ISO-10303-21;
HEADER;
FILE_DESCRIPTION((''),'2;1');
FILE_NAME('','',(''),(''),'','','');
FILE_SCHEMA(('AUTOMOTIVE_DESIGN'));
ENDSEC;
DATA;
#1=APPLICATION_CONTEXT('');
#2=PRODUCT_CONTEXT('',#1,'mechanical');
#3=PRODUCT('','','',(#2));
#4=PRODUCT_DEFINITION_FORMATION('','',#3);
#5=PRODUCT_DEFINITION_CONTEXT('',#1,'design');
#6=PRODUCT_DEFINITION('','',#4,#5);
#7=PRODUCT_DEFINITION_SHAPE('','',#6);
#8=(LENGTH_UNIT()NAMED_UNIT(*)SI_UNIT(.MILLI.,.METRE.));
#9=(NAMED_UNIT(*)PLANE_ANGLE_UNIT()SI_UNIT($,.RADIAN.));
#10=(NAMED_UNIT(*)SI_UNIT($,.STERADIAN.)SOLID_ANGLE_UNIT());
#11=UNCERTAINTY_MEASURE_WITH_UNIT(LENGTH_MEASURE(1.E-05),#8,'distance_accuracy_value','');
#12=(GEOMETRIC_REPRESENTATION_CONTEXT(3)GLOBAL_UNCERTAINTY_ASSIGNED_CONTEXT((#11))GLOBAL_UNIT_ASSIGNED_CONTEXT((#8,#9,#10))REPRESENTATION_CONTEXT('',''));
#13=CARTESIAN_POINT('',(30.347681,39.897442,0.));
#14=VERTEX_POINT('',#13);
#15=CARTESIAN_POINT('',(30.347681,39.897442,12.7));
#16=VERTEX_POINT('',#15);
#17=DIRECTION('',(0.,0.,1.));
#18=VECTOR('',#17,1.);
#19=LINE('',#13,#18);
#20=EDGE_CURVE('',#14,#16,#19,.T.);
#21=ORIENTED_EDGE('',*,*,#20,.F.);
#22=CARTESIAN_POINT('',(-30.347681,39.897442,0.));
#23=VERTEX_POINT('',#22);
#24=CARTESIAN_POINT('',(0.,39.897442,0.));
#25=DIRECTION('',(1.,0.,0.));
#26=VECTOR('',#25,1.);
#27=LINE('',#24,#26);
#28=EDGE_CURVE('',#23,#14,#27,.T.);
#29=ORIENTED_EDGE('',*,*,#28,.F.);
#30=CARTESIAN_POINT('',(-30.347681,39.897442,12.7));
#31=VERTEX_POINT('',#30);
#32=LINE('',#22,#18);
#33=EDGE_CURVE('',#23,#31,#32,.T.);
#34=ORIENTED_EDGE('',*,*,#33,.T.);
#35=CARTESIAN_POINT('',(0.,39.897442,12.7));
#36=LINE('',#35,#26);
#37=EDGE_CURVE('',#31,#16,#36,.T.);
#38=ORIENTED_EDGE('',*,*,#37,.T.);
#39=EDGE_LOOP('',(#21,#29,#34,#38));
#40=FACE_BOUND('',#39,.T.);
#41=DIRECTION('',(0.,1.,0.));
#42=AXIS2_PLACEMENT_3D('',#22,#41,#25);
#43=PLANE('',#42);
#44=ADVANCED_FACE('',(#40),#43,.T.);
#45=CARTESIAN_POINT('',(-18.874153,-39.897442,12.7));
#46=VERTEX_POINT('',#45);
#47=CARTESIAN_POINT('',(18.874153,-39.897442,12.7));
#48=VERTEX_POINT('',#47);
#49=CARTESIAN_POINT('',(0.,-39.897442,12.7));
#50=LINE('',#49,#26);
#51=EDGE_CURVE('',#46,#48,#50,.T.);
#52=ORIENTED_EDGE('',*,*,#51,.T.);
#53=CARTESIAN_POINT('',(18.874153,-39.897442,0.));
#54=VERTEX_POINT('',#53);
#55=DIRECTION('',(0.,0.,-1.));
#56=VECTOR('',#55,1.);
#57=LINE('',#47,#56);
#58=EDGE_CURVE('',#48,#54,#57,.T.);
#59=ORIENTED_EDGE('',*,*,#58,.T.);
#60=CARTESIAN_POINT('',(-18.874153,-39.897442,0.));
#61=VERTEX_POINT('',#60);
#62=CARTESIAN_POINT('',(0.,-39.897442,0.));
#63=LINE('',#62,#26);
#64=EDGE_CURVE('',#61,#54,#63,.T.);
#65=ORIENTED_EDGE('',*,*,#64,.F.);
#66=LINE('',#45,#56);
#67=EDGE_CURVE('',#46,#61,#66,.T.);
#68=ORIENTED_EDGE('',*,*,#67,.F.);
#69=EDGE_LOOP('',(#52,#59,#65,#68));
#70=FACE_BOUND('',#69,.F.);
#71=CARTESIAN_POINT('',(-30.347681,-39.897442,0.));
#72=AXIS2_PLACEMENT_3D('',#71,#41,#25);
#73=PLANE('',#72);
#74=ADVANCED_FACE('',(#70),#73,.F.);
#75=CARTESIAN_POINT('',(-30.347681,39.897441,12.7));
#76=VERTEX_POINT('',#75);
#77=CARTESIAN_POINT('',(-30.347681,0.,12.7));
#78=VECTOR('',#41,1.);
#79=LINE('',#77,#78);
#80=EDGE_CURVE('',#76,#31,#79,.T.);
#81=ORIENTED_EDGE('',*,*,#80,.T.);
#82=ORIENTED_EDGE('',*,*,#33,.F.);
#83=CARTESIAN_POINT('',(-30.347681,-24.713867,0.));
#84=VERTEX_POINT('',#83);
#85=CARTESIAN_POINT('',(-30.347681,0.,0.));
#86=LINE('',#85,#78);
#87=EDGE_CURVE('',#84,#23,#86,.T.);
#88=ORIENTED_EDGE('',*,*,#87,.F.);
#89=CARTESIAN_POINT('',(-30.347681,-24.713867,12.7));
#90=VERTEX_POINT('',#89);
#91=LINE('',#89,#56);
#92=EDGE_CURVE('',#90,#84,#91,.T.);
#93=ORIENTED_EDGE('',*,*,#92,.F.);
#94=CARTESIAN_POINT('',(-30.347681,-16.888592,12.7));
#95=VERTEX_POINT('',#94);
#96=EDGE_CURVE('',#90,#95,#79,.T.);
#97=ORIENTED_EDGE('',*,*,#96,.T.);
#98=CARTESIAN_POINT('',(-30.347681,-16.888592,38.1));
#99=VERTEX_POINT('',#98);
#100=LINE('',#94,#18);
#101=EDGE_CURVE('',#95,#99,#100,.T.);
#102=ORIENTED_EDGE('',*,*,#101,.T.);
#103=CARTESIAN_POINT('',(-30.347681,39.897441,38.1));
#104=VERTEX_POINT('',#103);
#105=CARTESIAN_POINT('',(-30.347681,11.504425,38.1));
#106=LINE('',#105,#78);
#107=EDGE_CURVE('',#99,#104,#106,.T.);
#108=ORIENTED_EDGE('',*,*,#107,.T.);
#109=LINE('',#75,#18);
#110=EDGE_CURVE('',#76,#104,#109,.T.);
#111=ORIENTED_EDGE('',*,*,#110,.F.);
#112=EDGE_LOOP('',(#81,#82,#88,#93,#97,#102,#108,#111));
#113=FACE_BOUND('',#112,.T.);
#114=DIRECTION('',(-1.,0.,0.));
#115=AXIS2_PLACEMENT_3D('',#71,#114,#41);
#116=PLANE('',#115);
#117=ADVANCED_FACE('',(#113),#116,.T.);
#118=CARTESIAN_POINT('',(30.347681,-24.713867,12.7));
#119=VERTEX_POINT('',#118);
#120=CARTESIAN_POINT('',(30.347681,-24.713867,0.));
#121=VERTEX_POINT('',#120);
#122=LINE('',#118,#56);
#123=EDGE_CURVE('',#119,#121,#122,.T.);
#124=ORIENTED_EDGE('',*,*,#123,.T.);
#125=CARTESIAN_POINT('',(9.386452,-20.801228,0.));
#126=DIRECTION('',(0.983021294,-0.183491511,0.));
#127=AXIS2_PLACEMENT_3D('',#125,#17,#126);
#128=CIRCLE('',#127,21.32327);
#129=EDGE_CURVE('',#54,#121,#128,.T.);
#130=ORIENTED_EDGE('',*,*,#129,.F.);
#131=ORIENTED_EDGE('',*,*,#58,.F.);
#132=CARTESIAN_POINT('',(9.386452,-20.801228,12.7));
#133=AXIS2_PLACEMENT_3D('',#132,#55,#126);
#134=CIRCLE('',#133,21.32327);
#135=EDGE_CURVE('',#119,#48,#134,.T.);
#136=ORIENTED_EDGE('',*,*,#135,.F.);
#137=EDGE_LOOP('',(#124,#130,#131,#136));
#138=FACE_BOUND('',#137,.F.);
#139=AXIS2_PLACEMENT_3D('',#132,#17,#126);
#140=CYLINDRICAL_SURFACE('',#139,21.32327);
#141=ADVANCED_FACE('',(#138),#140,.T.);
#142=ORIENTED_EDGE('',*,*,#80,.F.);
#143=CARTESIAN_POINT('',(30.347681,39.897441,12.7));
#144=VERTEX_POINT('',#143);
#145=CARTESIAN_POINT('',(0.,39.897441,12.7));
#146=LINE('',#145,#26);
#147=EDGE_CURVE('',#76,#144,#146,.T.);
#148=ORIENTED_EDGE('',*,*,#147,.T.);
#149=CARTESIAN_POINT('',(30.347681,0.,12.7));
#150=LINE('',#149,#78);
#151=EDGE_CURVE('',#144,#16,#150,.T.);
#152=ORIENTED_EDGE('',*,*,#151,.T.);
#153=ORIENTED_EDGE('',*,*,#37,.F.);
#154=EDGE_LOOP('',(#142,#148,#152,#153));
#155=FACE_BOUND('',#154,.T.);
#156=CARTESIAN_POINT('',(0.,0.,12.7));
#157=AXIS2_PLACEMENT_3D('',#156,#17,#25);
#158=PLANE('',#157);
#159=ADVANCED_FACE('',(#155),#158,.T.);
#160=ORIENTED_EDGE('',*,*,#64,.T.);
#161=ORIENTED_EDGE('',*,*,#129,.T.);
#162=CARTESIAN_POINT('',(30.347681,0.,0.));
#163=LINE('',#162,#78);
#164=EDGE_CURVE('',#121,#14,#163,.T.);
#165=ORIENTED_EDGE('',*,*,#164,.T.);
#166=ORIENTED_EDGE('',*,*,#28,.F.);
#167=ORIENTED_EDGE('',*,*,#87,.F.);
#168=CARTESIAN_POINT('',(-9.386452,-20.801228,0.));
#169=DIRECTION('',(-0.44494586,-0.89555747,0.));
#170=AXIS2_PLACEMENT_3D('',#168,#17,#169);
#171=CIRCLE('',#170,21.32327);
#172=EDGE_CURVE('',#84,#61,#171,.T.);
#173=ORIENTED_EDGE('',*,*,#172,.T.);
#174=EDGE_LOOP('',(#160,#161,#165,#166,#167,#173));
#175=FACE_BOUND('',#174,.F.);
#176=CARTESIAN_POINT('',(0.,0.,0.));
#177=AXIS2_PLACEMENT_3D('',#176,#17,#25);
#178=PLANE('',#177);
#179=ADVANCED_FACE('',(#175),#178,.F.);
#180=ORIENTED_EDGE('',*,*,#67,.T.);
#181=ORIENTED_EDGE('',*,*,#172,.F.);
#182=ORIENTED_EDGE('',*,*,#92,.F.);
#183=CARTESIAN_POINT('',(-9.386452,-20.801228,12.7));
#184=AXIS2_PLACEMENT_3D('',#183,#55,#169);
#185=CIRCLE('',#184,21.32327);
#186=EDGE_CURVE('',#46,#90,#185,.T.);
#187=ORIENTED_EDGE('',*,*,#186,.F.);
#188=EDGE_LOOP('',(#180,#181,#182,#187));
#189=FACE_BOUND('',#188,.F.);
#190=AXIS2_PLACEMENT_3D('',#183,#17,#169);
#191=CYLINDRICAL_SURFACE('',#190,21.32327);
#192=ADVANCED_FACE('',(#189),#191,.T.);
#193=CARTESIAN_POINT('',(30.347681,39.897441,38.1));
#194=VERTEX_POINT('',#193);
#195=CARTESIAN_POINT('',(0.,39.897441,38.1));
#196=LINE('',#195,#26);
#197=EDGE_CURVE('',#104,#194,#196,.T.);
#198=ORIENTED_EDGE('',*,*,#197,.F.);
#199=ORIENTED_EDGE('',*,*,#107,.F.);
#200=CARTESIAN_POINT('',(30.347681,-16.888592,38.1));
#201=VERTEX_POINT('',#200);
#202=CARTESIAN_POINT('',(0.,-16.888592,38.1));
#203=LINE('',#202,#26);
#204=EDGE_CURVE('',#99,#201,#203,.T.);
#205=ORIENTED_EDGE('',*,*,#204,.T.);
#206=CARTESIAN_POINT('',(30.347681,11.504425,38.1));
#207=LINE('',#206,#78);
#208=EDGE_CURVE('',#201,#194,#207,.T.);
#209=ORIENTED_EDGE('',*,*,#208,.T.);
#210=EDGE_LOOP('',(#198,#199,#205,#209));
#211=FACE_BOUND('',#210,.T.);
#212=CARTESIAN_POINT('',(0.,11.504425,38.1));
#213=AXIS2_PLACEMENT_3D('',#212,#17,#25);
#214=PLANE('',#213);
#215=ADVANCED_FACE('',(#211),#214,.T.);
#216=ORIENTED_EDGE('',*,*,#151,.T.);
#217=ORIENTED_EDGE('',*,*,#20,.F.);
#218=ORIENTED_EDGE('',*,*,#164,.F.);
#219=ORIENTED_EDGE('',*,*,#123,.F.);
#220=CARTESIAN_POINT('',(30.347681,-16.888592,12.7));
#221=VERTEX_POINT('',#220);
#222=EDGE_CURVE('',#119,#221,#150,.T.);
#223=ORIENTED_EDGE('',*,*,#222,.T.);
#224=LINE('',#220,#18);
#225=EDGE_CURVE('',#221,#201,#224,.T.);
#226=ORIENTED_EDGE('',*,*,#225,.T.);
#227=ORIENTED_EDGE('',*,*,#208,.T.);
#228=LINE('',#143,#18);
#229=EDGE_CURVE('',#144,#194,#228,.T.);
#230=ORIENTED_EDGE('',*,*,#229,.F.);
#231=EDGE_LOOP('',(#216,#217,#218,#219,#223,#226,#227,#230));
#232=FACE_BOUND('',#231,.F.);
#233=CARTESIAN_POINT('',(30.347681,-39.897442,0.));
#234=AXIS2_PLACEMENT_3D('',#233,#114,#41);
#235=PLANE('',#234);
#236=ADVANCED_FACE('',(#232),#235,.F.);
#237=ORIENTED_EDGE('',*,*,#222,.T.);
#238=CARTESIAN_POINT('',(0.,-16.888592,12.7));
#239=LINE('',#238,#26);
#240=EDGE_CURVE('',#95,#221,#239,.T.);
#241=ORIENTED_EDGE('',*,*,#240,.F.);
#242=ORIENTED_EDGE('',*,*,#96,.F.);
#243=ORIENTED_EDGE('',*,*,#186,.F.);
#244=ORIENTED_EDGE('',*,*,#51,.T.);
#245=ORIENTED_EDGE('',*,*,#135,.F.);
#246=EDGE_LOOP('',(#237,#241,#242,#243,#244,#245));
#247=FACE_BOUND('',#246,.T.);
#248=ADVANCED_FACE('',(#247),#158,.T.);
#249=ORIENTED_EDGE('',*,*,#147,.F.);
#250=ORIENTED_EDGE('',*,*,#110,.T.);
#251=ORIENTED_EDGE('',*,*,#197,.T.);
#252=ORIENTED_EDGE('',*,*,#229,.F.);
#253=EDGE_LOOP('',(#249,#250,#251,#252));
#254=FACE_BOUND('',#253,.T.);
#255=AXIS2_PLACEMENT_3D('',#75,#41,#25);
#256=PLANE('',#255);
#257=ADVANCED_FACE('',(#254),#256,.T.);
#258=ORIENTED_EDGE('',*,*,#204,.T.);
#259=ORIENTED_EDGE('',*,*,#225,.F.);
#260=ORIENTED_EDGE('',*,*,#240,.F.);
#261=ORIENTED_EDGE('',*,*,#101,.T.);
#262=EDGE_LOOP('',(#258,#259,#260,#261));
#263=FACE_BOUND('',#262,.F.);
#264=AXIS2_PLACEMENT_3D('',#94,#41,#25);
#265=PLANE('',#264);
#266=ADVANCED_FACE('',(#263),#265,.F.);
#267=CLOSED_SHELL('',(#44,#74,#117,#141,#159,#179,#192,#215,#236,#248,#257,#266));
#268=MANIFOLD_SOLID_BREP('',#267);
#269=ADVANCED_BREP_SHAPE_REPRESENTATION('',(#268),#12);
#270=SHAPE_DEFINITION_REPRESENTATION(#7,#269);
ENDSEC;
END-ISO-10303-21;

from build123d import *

# Parameters (mm, degrees)
F0_W     = 60.695362
F0_H     = 79.794884
F1_DEPTH = 12.7
F2_W     = 60.695362
F2_H     = 56.786033
F3_DEPTH = 25.4
F5_DEPTH = 25.4


with BuildPart() as f1:
    # F0 (on Top) → F1 (new body)
    with BuildSketch(Plane.XY):
        Rectangle(F0_W, F0_H)
    extrude(amount=F1_DEPTH)

    # F2 (on face) → F3 (join)
    with BuildSketch(Plane.XY.offset(12.7)):
        with Locations((0, 11.504425)):
            Rectangle(F2_W, F2_H)
    extrude(amount=F3_DEPTH)

    # F4 (on face) → F5 (cut)
    with BuildSketch(Plane.XY.offset(12.7)):
        with BuildLine():
            Line((30.347681, -39.897442), (30.347681, -24.713867))
            ThreePointArc((30.347681, -24.713867), (26.398788, -33.656666), (18.874153, -39.897442))
            Line((18.874153, -39.897442), (30.347681, -39.897442))
        make_face()
        with BuildLine():
            ThreePointArc((-18.874153, -39.897442), (-26.398788, -33.656666), (-30.347681, -24.713867))
            Line((-30.347681, -24.713867), (-30.347681, -39.897442))
            Line((-30.347681, -39.897442), (-18.874153, -39.897442))
        make_face()
    extrude(amount=-F5_DEPTH, mode=Mode.SUBTRACT)


solid = f1.part
